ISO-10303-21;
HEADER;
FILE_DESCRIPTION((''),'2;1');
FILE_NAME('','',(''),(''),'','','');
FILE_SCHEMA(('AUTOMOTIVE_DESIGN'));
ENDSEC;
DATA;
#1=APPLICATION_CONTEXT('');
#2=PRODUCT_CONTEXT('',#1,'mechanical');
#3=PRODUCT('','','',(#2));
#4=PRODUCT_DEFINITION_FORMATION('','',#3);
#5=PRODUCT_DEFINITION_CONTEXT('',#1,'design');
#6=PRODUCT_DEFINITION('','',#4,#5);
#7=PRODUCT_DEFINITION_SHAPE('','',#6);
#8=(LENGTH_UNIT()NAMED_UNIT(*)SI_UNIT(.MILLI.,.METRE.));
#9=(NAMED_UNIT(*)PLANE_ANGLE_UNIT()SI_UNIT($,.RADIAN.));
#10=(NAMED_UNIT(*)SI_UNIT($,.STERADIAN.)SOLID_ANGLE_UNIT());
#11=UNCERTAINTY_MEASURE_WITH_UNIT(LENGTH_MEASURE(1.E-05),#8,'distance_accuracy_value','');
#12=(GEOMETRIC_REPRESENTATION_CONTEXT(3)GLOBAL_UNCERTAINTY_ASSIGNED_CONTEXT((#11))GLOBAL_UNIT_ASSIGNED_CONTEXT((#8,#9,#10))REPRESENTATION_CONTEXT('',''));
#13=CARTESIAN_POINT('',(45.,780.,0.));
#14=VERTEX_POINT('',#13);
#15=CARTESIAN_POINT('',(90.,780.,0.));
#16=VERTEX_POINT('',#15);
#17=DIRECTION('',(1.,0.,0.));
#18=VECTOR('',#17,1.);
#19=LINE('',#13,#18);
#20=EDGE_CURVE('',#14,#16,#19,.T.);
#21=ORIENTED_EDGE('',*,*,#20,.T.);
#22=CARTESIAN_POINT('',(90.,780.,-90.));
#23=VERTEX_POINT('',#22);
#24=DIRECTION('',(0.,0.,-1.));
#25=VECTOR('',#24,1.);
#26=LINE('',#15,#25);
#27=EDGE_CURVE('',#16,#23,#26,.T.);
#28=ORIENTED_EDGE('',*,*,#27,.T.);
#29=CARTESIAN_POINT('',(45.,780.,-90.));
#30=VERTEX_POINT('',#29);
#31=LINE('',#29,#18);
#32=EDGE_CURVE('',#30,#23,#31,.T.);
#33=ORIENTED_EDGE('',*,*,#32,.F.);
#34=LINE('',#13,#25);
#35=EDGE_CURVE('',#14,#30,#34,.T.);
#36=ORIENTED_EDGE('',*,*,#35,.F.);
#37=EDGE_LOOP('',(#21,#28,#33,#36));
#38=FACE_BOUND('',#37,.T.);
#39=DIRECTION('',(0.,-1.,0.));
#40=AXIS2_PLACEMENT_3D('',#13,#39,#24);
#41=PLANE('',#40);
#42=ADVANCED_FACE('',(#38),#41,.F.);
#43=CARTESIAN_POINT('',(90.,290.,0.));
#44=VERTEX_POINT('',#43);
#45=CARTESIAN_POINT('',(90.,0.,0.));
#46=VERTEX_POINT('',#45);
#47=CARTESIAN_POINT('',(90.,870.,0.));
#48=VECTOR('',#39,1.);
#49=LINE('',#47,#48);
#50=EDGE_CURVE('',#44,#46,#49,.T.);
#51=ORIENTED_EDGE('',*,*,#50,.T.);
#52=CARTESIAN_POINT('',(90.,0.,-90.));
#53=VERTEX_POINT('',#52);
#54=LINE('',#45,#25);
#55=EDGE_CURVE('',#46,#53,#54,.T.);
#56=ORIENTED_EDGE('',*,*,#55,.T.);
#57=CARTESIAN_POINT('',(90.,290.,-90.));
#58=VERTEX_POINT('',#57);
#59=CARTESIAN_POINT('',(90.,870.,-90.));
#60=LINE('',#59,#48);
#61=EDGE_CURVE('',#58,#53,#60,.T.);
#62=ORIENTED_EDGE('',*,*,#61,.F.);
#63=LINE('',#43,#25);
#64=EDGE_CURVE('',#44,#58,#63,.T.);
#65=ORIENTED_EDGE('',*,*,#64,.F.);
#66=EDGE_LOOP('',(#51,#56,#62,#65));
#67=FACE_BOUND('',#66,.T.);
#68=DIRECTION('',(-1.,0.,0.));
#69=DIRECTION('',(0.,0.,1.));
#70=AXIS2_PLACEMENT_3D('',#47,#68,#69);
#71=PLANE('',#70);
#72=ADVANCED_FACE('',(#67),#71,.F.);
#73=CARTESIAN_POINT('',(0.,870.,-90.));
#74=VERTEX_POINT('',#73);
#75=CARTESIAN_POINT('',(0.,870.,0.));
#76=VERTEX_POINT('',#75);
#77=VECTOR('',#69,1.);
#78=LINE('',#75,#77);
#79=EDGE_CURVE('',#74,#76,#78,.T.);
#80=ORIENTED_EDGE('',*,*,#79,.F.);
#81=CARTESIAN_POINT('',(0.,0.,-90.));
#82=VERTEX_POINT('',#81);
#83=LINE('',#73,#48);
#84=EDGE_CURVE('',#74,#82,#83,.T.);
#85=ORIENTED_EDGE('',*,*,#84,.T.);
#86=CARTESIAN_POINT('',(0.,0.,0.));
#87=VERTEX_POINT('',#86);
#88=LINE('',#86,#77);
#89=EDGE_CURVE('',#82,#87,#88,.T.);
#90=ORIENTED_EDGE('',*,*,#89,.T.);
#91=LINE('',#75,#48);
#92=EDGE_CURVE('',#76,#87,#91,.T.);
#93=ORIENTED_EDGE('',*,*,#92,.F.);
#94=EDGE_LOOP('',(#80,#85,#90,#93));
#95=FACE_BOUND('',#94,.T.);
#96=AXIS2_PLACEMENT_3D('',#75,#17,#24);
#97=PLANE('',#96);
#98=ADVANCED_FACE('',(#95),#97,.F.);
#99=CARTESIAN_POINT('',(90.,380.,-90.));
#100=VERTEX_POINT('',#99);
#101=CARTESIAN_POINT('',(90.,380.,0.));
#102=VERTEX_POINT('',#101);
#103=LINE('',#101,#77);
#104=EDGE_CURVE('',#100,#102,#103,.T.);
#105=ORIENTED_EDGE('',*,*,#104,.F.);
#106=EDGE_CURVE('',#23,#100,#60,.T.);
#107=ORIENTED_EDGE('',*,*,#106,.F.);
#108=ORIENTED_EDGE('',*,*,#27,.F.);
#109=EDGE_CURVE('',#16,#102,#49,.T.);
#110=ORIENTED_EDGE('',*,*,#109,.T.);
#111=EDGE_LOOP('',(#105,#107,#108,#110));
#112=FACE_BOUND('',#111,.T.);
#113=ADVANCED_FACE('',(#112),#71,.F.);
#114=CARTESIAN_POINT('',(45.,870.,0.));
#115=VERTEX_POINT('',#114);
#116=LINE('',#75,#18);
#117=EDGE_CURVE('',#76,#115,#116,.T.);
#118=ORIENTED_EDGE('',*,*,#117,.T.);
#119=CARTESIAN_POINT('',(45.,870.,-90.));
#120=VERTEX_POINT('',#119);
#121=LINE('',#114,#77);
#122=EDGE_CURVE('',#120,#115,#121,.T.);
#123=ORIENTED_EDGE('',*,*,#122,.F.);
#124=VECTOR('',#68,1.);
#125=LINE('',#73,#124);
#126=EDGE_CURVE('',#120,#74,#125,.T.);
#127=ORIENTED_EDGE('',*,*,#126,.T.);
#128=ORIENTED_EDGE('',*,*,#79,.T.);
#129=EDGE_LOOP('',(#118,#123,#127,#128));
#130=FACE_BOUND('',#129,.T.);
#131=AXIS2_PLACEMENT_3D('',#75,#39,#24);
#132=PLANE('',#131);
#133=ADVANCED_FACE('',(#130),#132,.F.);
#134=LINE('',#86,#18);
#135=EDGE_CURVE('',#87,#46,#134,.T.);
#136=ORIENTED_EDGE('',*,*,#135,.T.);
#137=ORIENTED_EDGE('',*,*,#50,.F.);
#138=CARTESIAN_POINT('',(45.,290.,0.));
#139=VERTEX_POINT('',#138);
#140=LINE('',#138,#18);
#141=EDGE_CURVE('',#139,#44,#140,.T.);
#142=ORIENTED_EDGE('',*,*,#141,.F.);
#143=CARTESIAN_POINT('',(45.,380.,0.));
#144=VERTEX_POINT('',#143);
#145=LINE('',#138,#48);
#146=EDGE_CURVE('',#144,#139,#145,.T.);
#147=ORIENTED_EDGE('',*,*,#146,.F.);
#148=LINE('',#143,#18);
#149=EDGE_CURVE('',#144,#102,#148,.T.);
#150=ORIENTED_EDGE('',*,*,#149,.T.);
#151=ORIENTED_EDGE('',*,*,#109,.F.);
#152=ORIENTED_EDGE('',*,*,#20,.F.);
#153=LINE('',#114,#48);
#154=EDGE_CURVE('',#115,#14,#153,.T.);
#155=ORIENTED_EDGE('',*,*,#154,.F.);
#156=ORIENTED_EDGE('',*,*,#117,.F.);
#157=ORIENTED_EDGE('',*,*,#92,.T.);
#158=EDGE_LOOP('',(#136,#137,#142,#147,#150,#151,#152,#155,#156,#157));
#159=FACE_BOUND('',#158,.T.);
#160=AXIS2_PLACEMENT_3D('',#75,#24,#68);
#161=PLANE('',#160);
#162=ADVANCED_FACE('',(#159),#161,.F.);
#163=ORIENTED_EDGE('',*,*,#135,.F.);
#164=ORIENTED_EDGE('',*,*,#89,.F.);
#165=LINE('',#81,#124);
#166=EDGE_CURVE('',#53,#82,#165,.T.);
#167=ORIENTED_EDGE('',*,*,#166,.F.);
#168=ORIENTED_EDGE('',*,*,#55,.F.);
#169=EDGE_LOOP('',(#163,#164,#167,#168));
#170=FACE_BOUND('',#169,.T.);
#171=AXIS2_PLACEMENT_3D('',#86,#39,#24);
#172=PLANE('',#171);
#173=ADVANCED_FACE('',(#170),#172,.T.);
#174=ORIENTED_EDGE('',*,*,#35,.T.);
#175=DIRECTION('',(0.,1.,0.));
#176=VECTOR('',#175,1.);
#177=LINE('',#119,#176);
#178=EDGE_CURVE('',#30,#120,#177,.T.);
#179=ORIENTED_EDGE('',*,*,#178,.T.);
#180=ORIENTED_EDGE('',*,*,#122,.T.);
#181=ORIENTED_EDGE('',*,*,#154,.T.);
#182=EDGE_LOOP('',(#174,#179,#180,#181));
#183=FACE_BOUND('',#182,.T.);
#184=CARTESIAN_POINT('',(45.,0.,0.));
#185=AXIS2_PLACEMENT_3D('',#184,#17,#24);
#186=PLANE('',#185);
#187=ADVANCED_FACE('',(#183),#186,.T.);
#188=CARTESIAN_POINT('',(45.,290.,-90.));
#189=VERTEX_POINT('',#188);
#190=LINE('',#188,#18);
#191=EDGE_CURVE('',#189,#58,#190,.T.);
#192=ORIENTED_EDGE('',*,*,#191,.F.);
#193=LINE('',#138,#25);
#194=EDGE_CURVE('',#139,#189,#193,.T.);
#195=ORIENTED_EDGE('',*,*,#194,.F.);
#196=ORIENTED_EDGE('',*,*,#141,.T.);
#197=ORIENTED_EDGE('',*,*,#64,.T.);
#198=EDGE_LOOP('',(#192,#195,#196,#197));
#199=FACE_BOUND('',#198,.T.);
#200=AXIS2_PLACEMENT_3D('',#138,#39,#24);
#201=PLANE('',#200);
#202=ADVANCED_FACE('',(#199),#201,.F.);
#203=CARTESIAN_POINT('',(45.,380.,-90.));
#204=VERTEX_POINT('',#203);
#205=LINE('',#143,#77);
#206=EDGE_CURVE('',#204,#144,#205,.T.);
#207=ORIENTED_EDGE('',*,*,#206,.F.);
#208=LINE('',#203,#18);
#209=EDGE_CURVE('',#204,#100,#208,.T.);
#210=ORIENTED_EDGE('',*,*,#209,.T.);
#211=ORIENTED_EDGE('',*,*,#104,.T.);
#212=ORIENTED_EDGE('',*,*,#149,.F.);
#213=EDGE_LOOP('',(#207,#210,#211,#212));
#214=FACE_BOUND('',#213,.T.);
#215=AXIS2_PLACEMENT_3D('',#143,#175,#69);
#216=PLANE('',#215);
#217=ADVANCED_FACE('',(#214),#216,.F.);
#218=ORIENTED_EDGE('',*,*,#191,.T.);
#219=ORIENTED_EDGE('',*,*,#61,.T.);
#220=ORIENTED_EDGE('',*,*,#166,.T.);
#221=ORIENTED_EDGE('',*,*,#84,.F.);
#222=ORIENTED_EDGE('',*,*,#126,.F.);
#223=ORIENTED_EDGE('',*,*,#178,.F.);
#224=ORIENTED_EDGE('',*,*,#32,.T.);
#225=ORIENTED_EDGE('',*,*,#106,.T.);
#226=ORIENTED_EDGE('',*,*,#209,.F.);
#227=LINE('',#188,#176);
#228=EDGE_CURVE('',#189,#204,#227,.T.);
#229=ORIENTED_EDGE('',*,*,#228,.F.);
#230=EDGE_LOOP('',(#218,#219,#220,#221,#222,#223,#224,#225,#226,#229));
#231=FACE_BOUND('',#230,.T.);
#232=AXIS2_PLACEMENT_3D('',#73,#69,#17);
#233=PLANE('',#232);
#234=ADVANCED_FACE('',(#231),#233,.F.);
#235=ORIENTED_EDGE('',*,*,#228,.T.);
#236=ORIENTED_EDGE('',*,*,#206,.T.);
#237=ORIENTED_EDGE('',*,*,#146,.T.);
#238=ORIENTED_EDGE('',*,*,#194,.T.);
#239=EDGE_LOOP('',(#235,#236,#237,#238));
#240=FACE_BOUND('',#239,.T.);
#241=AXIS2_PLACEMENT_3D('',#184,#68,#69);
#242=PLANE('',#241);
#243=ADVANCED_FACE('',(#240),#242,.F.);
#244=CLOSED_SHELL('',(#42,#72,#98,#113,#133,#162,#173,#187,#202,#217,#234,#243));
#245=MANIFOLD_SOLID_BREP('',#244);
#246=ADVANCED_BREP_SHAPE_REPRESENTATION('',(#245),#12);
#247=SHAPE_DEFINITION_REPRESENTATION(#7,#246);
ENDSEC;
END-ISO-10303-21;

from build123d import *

# Parameters (mm, degrees)
SKETCH2_W           = 90
SKETCH2_H           = 90
BOSS_EXTRUDE1_DEPTH = 870
SKETCH3_W           = 90
SKETCH3_H           = 90
CUT_EXTRUDE1_DEPTH  = 45


with BuildPart() as part:
    # Sketch2 → Boss-Extrude1 (new body)
    with BuildSketch(Plane(origin=(0, 0, 0), x_dir=(1, 0, 0), z_dir=(0, 1, 0))):
        with Locations((45, 45)):
            Rectangle(SKETCH2_W, SKETCH2_H)
    extrude(amount=BOSS_EXTRUDE1_DEPTH)

    # Sketch3 → Cut-Extrude1 (cut)
    with BuildSketch(Plane(origin=(90, 0, 0), x_dir=(0, 0, -1), z_dir=(1, 0, 0))):
        with Locations((45, 825)):
            Rectangle(SKETCH3_W, SKETCH3_H)
        with Locations((45, 335)):
            Rectangle(SKETCH3_W, SKETCH3_H)
    extrude(amount=-CUT_EXTRUDE1_DEPTH, mode=Mode.SUBTRACT)


solid = part.part
